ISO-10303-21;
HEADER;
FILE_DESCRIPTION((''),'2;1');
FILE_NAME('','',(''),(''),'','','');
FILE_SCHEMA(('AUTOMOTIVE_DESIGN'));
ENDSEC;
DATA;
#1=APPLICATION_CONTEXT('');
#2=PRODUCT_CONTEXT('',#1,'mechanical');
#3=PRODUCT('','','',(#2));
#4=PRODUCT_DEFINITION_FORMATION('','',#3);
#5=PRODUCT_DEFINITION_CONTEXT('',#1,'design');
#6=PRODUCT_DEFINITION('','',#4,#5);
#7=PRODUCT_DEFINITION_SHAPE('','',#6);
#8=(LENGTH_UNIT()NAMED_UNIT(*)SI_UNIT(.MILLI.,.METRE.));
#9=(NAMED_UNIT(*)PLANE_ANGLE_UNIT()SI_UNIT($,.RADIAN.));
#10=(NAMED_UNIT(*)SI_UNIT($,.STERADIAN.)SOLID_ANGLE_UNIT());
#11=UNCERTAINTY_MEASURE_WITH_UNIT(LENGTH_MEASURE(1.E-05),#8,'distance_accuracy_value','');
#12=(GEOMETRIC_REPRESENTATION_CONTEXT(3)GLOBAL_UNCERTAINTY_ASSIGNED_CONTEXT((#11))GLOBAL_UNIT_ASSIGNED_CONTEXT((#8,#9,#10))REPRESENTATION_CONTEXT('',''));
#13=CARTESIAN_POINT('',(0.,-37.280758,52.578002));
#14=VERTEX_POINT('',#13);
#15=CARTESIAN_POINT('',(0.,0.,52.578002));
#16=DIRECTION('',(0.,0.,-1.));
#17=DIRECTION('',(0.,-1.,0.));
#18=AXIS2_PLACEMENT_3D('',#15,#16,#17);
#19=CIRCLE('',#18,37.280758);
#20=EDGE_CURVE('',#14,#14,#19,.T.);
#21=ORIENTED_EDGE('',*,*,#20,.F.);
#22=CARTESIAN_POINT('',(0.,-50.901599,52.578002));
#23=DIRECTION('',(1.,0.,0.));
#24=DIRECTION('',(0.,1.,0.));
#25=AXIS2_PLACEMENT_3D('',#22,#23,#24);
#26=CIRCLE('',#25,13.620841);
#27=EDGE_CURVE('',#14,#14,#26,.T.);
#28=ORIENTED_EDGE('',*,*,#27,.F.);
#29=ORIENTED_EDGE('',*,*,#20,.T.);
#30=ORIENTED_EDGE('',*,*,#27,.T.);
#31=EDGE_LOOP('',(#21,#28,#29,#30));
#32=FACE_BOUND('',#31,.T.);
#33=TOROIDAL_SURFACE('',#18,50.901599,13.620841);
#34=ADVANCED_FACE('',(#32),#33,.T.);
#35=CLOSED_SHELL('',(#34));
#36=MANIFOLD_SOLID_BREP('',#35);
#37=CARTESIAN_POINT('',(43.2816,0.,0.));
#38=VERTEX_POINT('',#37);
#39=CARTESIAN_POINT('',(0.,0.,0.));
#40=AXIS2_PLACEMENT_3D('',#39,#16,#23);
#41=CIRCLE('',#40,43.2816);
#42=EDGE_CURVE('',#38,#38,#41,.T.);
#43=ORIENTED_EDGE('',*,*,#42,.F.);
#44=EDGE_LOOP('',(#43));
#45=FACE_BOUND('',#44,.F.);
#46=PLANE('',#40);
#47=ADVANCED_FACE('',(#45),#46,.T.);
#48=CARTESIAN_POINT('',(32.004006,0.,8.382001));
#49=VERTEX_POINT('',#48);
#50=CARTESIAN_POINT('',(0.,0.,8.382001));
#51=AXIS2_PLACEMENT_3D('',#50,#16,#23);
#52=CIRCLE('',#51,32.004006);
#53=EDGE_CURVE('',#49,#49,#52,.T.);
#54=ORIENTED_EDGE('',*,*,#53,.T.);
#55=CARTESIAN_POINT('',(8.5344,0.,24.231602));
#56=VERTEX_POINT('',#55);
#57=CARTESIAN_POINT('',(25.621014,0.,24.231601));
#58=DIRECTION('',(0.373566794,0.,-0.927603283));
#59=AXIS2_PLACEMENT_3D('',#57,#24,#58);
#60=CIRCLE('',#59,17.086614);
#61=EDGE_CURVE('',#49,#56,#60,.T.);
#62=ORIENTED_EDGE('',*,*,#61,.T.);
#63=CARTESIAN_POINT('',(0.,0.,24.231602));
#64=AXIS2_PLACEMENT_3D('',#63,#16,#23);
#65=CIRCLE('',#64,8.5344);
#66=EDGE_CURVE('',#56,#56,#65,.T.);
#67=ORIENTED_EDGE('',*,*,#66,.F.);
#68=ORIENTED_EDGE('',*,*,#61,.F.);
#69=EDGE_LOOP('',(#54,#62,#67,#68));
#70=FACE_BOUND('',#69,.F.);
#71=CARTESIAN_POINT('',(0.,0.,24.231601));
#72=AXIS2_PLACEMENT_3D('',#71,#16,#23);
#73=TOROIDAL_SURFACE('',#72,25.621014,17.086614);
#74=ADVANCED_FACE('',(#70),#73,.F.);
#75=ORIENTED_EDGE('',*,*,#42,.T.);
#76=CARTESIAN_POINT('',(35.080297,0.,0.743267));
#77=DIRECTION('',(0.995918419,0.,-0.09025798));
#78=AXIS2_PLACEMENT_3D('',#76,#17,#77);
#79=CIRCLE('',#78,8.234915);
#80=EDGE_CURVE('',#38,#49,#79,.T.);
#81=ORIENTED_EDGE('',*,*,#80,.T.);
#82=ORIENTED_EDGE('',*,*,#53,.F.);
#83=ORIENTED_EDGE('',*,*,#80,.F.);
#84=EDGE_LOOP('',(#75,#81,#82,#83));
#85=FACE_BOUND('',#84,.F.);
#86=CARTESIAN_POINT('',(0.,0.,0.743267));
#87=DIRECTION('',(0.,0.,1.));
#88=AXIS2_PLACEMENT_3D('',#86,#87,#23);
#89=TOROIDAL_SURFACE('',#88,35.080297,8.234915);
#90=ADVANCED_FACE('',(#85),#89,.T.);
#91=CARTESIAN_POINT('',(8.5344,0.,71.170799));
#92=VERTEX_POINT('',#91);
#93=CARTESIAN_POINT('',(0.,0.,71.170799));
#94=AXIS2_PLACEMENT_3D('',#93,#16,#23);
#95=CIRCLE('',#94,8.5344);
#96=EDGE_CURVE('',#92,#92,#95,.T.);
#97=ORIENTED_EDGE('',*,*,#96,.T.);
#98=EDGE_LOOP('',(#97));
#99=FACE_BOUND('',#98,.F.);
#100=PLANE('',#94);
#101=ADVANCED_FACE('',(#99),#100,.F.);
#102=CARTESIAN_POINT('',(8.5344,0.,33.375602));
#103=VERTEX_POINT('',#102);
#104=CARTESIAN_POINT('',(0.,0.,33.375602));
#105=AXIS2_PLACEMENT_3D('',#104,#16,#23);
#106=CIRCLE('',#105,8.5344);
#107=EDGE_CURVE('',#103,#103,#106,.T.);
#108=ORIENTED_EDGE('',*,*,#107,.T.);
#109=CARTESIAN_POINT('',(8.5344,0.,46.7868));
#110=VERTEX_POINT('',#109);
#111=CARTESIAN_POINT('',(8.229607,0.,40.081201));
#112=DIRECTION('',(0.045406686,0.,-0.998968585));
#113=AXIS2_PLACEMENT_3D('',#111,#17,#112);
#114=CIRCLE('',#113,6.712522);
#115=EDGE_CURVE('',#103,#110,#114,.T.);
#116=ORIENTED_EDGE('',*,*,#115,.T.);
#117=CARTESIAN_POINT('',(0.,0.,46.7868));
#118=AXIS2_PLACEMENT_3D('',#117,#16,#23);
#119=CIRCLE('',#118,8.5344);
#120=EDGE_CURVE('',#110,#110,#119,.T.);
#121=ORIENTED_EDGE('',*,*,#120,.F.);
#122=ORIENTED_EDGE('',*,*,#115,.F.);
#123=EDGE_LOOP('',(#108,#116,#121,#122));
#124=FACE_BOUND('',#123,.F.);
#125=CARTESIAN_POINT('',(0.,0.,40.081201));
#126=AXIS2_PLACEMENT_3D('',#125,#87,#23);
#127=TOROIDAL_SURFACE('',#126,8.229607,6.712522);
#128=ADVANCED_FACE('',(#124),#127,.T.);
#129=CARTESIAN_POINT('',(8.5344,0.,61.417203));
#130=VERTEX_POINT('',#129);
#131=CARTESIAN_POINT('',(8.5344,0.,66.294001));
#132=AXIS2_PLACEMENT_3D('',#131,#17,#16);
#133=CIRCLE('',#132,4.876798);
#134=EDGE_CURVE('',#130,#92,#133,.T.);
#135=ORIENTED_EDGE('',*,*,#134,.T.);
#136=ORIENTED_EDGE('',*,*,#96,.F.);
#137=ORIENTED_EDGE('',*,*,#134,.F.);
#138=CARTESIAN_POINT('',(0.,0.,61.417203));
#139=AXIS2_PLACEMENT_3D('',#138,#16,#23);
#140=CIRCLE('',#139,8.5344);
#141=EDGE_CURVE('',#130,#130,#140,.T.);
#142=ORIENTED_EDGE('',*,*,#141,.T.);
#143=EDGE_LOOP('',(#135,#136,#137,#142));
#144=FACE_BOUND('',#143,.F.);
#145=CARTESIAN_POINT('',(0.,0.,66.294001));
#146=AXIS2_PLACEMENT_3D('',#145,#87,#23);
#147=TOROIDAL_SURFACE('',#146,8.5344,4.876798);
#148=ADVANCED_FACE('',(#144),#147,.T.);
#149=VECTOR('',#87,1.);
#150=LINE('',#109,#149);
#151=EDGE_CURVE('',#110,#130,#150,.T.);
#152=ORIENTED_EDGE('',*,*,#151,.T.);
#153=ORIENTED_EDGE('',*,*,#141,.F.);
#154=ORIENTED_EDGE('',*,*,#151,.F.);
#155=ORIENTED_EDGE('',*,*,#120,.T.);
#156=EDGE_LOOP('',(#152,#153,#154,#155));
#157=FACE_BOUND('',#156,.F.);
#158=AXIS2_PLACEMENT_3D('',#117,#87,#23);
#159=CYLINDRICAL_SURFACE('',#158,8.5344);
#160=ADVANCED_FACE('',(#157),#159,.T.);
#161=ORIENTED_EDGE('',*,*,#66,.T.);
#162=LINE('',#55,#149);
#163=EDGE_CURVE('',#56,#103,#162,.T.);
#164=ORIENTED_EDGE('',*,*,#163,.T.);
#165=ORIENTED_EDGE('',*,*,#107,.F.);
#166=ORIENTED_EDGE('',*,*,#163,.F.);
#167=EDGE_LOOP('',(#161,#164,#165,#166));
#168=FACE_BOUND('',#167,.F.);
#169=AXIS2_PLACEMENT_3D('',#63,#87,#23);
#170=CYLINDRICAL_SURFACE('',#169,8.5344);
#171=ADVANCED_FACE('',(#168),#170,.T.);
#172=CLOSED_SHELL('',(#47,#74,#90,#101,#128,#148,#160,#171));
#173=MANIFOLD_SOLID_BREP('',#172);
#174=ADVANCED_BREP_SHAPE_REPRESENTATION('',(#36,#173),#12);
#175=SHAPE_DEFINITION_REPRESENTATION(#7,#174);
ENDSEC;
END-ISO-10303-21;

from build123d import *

# Parameters (mm, degrees)
F2_R = 13.620841


with BuildPart() as f1:
    # F0 (on Front) → F1 (revolve)
    with BuildSketch(Plane.XZ):
        with BuildLine():
            Line((8.5344, 71.170799), (0, 71.170799))
            Line((0, 71.170799), (0, 0))
            Line((0, 0), (43.2816, 0))
            ThreePointArc((43.2816, 0), (39.99262, 7.352571), (32.004006, 8.382001))
            ThreePointArc((32.004006, 8.382001), (16.058361, 10.071514), (8.5344, 24.231602))
            Line((8.5344, 24.231602), (8.5344, 33.375602))
            ThreePointArc((8.5344, 33.375602), (14.942129, 40.081201), (8.5344, 46.7868))
            Line((8.5344, 46.7868), (8.5344, 61.417203))
            ThreePointArc((8.5344, 61.417203), (13.411198, 66.294001), (8.5344, 71.170799))
        make_face()
    revolve(axis=Axis((0, 0, 36.2712), (0, 0, -1)))


with BuildPart() as f3:
    # F2 (on Right) → F3 (revolve)
    with BuildSketch(Plane.YZ):
        with Locations((-50.901599, 52.578002)):
            Circle(F2_R)
    revolve(axis=Axis((0, 0, 24.841202), (0, 0, -1)))


solid = Compound([f1.part, f3.part])
